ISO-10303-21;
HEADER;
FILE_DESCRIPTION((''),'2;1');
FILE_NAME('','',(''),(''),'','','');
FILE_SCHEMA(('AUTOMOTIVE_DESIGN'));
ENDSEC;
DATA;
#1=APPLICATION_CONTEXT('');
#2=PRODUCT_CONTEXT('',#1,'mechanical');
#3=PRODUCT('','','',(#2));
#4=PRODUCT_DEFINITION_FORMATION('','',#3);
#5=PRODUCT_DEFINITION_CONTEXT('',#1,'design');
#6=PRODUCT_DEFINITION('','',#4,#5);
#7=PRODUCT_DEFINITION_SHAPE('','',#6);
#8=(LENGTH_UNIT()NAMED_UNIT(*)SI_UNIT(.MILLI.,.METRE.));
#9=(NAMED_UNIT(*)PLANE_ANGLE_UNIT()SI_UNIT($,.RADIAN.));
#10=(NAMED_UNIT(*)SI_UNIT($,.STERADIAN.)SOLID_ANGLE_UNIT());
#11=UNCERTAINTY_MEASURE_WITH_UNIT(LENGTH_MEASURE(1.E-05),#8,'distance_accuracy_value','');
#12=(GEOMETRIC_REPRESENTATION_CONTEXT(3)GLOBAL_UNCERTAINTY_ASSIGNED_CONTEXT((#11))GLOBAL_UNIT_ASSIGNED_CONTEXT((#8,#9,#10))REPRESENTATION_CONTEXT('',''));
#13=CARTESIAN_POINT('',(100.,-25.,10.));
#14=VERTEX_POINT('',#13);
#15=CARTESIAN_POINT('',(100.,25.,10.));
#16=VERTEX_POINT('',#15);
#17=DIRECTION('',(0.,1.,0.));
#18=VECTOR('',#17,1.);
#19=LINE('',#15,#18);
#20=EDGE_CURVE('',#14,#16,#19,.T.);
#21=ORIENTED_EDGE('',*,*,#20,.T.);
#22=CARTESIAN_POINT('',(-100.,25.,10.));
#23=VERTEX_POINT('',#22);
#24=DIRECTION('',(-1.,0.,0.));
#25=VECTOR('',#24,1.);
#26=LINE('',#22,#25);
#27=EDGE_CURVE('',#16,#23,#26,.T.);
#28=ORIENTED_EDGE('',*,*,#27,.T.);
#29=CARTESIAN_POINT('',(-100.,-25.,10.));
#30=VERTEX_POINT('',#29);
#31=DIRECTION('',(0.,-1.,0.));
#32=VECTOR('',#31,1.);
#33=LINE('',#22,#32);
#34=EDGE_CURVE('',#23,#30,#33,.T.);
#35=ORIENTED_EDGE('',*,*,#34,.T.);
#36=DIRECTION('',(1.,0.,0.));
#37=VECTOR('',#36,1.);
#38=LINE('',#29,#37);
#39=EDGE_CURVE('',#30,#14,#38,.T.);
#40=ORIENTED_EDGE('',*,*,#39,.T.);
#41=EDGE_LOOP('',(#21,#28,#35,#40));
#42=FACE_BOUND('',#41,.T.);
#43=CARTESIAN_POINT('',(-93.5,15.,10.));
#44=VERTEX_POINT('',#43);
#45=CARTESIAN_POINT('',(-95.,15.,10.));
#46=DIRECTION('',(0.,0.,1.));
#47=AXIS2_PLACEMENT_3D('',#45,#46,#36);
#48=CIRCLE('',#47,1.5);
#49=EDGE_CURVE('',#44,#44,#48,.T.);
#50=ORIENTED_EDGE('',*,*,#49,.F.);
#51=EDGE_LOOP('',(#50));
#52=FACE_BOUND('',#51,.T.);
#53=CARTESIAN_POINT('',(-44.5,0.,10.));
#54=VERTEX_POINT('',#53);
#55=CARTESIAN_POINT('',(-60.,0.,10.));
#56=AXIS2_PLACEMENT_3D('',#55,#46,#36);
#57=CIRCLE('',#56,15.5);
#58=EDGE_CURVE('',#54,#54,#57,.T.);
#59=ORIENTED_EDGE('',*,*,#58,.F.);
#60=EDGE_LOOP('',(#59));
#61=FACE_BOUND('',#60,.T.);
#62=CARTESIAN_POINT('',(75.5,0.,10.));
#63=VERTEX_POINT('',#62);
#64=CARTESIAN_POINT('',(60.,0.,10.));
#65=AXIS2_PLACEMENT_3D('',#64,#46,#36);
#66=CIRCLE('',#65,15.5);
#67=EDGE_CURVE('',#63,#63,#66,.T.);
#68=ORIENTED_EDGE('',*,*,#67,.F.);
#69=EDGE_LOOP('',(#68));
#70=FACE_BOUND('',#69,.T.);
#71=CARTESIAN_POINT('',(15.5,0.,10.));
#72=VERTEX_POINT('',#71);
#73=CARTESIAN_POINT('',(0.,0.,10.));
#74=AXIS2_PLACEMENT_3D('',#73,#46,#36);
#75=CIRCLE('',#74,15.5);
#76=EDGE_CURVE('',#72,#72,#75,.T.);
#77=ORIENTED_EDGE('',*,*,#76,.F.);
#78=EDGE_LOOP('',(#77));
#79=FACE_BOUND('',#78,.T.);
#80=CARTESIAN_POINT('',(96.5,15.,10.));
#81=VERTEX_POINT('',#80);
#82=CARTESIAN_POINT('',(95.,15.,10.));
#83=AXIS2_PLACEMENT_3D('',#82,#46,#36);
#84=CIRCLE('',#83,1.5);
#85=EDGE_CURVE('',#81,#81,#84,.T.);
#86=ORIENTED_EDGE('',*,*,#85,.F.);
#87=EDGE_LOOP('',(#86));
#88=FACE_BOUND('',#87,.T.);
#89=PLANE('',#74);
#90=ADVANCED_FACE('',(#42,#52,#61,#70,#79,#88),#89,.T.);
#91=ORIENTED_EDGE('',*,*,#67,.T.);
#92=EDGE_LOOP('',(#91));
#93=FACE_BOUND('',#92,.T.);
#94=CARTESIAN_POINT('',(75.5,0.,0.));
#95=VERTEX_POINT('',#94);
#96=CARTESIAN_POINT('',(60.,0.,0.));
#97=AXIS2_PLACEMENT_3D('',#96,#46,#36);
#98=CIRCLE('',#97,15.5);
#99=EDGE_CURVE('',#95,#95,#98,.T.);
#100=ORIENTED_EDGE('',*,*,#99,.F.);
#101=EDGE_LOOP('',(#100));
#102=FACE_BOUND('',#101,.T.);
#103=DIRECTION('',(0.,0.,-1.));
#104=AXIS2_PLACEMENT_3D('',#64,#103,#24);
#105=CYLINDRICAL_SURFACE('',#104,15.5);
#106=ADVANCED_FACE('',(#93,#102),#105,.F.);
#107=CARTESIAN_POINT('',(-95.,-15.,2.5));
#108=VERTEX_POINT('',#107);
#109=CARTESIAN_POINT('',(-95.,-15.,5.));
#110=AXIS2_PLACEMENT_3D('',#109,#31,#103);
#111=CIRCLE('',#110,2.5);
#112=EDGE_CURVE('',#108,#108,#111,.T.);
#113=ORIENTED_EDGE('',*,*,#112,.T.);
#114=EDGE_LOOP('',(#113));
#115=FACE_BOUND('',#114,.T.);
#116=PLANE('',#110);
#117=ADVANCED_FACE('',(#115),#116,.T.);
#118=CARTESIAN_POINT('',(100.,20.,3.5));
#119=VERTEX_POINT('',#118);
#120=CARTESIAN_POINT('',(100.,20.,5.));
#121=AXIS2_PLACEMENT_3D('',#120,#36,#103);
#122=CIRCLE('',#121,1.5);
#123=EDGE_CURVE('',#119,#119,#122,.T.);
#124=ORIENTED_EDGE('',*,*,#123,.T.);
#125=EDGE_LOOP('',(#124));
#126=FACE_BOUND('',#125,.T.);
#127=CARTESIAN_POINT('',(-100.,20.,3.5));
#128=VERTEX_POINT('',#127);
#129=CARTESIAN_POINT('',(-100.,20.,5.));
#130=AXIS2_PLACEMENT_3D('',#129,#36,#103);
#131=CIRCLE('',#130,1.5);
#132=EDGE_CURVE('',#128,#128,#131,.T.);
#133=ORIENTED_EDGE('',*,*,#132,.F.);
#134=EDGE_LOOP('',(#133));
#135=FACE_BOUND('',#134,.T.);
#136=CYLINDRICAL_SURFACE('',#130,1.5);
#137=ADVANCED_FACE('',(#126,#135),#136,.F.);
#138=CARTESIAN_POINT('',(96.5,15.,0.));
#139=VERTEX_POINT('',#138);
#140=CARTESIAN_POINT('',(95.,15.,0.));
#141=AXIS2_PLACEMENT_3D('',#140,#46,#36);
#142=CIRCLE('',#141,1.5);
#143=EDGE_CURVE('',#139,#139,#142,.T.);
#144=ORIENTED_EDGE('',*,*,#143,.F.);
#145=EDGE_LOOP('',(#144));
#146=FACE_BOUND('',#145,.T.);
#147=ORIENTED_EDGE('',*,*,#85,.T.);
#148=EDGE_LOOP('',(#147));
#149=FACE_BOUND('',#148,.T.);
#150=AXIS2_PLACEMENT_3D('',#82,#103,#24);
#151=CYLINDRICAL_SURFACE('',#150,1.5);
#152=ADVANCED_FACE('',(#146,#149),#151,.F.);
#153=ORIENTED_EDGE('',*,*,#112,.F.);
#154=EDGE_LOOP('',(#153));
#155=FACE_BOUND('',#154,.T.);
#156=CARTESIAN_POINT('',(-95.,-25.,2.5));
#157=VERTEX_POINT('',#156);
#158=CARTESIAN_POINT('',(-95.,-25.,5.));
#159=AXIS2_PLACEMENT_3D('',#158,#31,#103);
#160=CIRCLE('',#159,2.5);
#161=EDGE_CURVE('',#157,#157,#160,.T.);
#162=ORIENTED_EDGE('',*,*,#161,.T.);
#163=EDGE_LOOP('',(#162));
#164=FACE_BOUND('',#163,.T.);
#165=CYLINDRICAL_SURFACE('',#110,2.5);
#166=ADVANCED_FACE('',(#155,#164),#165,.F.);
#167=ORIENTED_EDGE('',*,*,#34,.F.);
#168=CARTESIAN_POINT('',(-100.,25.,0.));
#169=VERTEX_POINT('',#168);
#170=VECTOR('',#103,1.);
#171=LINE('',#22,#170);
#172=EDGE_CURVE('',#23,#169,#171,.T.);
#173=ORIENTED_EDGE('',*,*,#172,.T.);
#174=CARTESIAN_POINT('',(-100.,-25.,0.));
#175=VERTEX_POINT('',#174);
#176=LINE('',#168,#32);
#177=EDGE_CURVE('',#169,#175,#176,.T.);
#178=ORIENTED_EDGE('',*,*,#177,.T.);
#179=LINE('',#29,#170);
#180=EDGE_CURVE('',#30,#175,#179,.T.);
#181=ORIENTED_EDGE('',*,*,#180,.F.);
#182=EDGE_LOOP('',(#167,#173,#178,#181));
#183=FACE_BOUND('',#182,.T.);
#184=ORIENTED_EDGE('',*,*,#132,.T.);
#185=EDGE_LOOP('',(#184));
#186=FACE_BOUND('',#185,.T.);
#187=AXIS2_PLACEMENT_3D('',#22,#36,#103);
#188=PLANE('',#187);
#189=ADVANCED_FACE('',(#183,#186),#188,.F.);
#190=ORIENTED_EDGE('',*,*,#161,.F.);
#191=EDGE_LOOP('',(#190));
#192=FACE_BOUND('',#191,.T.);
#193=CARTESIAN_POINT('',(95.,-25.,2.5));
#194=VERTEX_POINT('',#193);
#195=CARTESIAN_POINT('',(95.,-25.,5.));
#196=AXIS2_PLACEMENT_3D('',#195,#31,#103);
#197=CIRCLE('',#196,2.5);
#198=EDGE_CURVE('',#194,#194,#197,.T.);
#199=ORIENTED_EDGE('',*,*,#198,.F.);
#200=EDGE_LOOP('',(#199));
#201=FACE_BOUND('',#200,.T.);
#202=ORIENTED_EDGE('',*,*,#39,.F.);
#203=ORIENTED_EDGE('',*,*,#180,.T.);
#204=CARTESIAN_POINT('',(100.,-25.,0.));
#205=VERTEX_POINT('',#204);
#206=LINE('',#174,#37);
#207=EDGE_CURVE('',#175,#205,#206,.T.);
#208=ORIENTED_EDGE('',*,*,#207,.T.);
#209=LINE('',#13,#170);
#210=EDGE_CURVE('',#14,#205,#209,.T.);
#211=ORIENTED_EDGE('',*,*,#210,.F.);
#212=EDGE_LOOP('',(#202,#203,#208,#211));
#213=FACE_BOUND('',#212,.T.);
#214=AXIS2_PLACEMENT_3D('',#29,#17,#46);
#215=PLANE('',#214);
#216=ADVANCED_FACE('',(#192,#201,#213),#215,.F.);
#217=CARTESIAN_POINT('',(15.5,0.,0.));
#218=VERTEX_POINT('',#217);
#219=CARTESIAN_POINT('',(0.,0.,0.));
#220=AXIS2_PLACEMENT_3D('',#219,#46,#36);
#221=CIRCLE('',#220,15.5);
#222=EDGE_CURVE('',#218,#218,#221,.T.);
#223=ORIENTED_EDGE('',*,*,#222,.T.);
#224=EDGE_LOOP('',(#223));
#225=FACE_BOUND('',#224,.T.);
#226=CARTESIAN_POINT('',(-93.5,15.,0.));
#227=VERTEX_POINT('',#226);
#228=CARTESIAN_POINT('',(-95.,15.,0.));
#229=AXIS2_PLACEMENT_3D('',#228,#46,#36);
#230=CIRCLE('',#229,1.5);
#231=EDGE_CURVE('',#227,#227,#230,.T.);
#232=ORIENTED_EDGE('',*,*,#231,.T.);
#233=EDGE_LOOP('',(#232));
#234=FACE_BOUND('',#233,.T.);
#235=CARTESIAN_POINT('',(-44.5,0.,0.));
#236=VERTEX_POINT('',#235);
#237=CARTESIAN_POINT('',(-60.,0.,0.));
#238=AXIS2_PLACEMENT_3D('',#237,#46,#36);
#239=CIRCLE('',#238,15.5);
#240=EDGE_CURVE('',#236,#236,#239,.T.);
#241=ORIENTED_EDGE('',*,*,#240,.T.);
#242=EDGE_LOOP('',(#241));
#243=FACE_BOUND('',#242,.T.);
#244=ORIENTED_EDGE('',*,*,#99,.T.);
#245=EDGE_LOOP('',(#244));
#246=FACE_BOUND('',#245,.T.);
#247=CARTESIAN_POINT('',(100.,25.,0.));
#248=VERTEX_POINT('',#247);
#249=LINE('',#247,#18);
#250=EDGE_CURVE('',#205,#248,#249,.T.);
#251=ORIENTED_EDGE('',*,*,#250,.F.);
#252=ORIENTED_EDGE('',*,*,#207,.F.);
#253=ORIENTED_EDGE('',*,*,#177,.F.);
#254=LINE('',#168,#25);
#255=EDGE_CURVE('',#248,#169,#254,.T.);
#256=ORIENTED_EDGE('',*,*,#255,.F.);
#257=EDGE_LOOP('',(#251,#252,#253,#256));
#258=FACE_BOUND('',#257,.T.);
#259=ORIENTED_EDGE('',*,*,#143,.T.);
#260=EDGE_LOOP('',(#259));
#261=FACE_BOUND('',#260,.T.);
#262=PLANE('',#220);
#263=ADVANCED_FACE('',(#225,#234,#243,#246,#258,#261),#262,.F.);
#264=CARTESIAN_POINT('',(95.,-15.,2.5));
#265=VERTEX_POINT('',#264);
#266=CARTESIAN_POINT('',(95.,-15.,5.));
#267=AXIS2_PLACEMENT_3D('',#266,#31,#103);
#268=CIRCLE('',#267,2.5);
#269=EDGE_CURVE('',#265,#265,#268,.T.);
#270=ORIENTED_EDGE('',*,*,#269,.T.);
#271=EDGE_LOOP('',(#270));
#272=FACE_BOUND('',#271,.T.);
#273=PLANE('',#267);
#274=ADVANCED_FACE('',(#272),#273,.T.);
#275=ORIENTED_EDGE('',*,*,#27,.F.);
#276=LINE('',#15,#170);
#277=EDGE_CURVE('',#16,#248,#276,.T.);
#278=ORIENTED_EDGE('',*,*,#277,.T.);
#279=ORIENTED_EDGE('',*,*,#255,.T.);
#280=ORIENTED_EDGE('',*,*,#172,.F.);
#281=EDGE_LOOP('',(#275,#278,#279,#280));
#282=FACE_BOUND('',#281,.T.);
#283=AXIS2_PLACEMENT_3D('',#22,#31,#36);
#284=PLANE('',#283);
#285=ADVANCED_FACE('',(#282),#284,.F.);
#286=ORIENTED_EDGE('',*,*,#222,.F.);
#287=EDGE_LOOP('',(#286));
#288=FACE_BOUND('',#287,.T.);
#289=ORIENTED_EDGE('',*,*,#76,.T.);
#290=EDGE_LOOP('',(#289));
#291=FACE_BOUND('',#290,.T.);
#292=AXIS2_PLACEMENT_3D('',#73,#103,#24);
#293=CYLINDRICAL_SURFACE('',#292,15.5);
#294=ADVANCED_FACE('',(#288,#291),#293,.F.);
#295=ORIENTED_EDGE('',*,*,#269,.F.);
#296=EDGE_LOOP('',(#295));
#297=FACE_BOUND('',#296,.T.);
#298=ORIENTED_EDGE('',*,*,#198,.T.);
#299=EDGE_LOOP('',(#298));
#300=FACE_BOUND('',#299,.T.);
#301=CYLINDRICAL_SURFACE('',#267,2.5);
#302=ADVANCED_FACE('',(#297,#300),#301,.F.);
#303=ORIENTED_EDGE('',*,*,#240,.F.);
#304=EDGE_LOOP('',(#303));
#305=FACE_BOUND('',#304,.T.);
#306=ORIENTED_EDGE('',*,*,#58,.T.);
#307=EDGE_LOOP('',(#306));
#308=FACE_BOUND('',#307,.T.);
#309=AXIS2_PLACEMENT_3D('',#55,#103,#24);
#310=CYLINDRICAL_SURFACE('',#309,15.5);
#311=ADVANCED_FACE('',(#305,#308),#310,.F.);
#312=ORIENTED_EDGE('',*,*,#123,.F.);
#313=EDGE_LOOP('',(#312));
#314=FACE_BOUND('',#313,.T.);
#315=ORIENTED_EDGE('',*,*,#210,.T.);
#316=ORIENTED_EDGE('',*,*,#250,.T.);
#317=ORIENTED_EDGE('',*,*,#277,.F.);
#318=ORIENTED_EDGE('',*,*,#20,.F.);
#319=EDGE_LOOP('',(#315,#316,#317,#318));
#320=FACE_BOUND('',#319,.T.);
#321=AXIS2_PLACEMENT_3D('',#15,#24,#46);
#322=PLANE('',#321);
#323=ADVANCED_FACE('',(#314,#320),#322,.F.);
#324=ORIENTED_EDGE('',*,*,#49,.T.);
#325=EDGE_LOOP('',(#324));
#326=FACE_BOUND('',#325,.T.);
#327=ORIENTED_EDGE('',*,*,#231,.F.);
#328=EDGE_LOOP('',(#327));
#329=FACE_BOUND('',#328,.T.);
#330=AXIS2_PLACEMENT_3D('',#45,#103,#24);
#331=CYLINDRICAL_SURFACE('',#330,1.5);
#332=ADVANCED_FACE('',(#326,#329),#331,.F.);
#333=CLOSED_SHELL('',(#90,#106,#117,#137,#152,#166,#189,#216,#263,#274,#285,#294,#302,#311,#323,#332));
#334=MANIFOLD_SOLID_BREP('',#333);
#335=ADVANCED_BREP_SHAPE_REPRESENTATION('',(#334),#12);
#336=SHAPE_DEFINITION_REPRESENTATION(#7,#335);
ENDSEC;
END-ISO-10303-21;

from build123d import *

# Parameters (mm, degrees)
SKETCH1_W           = 200
SKETCH1_H           = 50
SKETCH1_R           = 15.5
SKETCH1_R_2         = 1.5
BOSS_EXTRUDE1_DEPTH = 10
SKETCH2_R           = 2.5
CUT_EXTRUDE1_DEPTH  = 10
SKETCH3_R           = 1.5
CUT_EXTRUDE2_DEPTH  = 200


with BuildPart() as part:
    # Sketch1 → Boss-Extrude1 (new body)
    with BuildSketch(Plane.XY):
        Rectangle(SKETCH1_W, SKETCH1_H)
        Circle(SKETCH1_R, mode=Mode.SUBTRACT)
        with Locations((60, 0)):
            Circle(SKETCH1_R, mode=Mode.SUBTRACT)
        with Locations((-60, 0)):
            Circle(SKETCH1_R, mode=Mode.SUBTRACT)
        with Locations((95, 15)):
            Circle(SKETCH1_R_2, mode=Mode.SUBTRACT)
        with Locations((-95, 15)):
            Circle(SKETCH1_R_2, mode=Mode.SUBTRACT)
    extrude(amount=BOSS_EXTRUDE1_DEPTH)

    # Sketch2 → Cut-Extrude1 (cut)
    with BuildSketch(Plane.XZ.offset(25)):
        with Locations(Location((-95, 5, 0), (0, 0, 270))):
            Circle(SKETCH2_R)
        with Locations(Location((95, 5, 0), (0, 0, 270))):
            Circle(SKETCH2_R)
    extrude(amount=-CUT_EXTRUDE1_DEPTH, mode=Mode.SUBTRACT)

    # Sketch3 → Cut-Extrude2 (cut)
    with BuildSketch(Plane(origin=(100, 0, 0), x_dir=(0, 0, -1), z_dir=(1, 0, 0))):
        with Locations((-5, 20)):
            Circle(SKETCH3_R)
    extrude(amount=-CUT_EXTRUDE2_DEPTH, mode=Mode.SUBTRACT)


solid = part.part
